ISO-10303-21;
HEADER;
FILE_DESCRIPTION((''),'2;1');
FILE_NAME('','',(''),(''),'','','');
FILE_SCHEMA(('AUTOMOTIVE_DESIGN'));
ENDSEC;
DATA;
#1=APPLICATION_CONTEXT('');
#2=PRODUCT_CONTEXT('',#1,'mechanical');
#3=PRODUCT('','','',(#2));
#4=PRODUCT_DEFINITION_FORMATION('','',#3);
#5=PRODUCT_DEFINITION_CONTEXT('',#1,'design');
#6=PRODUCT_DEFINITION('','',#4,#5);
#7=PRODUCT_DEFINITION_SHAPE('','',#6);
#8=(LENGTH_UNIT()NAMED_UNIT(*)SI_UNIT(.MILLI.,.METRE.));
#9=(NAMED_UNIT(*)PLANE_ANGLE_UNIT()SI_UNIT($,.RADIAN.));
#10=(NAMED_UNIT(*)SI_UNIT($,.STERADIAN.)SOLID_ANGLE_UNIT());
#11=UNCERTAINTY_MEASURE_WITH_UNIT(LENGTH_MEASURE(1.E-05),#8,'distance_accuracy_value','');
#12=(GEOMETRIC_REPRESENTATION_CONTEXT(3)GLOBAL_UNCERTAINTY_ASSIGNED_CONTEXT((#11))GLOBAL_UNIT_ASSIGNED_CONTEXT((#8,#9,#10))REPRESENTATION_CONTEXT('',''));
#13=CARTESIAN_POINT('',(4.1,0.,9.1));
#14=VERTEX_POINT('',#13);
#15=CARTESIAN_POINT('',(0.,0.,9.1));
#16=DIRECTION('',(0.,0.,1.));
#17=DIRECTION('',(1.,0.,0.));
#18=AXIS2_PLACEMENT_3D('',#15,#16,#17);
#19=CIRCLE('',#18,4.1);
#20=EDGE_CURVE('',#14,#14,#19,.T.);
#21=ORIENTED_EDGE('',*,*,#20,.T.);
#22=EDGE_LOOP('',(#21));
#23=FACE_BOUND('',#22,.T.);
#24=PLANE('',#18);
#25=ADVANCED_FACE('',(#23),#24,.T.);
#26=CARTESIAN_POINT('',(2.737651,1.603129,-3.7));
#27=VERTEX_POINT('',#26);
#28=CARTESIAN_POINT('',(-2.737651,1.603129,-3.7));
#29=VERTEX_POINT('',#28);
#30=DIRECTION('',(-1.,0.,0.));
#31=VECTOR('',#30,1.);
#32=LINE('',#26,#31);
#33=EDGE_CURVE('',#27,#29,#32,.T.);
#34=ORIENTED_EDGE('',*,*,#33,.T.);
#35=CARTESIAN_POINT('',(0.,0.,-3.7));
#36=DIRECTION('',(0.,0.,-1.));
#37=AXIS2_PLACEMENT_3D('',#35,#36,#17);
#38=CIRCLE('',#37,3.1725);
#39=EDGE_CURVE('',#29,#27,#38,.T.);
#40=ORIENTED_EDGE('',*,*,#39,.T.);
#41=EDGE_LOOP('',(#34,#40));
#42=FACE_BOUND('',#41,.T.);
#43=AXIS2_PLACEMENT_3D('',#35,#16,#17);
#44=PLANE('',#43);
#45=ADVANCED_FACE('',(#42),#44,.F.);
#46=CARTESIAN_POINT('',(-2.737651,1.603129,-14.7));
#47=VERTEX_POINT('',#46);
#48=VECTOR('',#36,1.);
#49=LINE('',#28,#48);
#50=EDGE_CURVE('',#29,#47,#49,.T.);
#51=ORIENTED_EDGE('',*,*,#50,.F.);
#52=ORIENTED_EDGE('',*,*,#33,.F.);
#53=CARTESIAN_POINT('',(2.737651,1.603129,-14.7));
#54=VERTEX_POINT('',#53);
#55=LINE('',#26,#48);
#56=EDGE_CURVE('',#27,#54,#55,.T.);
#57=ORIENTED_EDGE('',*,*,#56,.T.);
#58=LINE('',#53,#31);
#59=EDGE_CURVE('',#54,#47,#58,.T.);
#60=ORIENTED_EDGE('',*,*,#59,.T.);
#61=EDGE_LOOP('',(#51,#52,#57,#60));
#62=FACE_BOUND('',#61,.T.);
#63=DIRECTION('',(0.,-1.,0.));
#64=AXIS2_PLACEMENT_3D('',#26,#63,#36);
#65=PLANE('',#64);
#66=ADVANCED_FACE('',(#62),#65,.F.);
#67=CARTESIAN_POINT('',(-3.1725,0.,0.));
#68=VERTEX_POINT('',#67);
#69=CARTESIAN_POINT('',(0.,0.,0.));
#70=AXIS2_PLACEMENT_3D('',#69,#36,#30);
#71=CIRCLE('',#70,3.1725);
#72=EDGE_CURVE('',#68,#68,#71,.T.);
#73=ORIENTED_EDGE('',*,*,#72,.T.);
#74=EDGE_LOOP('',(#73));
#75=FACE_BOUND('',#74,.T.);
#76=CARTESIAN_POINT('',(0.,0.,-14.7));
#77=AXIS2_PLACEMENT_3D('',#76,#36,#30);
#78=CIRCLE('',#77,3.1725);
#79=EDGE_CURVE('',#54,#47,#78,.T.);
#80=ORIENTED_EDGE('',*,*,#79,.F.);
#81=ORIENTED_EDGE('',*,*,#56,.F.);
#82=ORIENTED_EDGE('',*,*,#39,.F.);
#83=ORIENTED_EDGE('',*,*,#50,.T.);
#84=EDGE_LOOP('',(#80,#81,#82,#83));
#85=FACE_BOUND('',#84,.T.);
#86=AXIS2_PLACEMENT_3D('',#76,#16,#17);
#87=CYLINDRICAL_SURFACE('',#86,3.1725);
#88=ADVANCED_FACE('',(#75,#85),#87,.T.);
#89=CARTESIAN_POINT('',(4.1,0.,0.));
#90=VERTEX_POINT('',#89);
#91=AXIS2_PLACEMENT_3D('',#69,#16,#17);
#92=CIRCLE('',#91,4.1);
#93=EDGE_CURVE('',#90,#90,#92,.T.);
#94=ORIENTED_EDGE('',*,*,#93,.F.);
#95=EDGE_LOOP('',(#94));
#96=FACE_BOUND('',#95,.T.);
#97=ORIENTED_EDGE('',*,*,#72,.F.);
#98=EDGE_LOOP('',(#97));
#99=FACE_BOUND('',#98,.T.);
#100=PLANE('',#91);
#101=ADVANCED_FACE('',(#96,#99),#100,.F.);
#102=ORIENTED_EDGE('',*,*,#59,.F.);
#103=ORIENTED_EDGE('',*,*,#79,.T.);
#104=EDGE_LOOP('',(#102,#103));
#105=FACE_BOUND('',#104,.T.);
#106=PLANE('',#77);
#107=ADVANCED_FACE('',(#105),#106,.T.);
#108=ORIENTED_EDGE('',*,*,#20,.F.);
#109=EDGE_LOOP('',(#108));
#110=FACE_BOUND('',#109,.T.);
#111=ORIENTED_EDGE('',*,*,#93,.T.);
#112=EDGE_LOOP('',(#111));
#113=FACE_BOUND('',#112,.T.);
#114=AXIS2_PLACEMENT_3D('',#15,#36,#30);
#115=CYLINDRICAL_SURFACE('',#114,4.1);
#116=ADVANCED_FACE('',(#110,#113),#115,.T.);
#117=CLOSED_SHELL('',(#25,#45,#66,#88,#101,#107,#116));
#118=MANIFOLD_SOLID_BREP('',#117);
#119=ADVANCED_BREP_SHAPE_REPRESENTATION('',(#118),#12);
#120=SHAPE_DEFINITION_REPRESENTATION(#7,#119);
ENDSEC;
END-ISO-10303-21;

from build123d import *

# Parameters (mm, degrees)
SKETCH2_R           = 4.1
BOSS_EXTRUDE1_DEPTH = 9.1
SKETCH3_R           = 3.1725
BOSS_EXTRUDE2_DEPTH = 14.7
CUT_EXTRUDE1_START  = -11
CUT_EXTRUDE1_DEPTH  = 11


with BuildPart() as part:
    # Sketch2 → Boss-Extrude1 (new body)
    with BuildSketch(Plane.XY):
        Circle(SKETCH2_R)
    extrude(amount=BOSS_EXTRUDE1_DEPTH)

    # Sketch3 → Boss-Extrude2 (add)
    with BuildSketch(Plane(origin=(0, 0, 0), x_dir=(-1, 0, 0), z_dir=(0, 0, -1))):
        Circle(SKETCH3_R)
    extrude(amount=BOSS_EXTRUDE2_DEPTH)

    # Sketch4 → Cut-Extrude1 (cut)
    with BuildSketch(Plane(origin=(0, 0, -14.7), x_dir=(-1, 0, 0), z_dir=(0, 0, -1)).offset(CUT_EXTRUDE1_START)):
        with BuildLine():
            Line((-2.737651106, 1.603129026), (2.737651106, 1.603129026))
            ThreePointArc((2.737651106, 1.603129026), (0, 3.1725), (-2.737651106, 1.603129026))
        make_face()
    extrude(amount=CUT_EXTRUDE1_DEPTH, mode=Mode.SUBTRACT)


solid = part.part
